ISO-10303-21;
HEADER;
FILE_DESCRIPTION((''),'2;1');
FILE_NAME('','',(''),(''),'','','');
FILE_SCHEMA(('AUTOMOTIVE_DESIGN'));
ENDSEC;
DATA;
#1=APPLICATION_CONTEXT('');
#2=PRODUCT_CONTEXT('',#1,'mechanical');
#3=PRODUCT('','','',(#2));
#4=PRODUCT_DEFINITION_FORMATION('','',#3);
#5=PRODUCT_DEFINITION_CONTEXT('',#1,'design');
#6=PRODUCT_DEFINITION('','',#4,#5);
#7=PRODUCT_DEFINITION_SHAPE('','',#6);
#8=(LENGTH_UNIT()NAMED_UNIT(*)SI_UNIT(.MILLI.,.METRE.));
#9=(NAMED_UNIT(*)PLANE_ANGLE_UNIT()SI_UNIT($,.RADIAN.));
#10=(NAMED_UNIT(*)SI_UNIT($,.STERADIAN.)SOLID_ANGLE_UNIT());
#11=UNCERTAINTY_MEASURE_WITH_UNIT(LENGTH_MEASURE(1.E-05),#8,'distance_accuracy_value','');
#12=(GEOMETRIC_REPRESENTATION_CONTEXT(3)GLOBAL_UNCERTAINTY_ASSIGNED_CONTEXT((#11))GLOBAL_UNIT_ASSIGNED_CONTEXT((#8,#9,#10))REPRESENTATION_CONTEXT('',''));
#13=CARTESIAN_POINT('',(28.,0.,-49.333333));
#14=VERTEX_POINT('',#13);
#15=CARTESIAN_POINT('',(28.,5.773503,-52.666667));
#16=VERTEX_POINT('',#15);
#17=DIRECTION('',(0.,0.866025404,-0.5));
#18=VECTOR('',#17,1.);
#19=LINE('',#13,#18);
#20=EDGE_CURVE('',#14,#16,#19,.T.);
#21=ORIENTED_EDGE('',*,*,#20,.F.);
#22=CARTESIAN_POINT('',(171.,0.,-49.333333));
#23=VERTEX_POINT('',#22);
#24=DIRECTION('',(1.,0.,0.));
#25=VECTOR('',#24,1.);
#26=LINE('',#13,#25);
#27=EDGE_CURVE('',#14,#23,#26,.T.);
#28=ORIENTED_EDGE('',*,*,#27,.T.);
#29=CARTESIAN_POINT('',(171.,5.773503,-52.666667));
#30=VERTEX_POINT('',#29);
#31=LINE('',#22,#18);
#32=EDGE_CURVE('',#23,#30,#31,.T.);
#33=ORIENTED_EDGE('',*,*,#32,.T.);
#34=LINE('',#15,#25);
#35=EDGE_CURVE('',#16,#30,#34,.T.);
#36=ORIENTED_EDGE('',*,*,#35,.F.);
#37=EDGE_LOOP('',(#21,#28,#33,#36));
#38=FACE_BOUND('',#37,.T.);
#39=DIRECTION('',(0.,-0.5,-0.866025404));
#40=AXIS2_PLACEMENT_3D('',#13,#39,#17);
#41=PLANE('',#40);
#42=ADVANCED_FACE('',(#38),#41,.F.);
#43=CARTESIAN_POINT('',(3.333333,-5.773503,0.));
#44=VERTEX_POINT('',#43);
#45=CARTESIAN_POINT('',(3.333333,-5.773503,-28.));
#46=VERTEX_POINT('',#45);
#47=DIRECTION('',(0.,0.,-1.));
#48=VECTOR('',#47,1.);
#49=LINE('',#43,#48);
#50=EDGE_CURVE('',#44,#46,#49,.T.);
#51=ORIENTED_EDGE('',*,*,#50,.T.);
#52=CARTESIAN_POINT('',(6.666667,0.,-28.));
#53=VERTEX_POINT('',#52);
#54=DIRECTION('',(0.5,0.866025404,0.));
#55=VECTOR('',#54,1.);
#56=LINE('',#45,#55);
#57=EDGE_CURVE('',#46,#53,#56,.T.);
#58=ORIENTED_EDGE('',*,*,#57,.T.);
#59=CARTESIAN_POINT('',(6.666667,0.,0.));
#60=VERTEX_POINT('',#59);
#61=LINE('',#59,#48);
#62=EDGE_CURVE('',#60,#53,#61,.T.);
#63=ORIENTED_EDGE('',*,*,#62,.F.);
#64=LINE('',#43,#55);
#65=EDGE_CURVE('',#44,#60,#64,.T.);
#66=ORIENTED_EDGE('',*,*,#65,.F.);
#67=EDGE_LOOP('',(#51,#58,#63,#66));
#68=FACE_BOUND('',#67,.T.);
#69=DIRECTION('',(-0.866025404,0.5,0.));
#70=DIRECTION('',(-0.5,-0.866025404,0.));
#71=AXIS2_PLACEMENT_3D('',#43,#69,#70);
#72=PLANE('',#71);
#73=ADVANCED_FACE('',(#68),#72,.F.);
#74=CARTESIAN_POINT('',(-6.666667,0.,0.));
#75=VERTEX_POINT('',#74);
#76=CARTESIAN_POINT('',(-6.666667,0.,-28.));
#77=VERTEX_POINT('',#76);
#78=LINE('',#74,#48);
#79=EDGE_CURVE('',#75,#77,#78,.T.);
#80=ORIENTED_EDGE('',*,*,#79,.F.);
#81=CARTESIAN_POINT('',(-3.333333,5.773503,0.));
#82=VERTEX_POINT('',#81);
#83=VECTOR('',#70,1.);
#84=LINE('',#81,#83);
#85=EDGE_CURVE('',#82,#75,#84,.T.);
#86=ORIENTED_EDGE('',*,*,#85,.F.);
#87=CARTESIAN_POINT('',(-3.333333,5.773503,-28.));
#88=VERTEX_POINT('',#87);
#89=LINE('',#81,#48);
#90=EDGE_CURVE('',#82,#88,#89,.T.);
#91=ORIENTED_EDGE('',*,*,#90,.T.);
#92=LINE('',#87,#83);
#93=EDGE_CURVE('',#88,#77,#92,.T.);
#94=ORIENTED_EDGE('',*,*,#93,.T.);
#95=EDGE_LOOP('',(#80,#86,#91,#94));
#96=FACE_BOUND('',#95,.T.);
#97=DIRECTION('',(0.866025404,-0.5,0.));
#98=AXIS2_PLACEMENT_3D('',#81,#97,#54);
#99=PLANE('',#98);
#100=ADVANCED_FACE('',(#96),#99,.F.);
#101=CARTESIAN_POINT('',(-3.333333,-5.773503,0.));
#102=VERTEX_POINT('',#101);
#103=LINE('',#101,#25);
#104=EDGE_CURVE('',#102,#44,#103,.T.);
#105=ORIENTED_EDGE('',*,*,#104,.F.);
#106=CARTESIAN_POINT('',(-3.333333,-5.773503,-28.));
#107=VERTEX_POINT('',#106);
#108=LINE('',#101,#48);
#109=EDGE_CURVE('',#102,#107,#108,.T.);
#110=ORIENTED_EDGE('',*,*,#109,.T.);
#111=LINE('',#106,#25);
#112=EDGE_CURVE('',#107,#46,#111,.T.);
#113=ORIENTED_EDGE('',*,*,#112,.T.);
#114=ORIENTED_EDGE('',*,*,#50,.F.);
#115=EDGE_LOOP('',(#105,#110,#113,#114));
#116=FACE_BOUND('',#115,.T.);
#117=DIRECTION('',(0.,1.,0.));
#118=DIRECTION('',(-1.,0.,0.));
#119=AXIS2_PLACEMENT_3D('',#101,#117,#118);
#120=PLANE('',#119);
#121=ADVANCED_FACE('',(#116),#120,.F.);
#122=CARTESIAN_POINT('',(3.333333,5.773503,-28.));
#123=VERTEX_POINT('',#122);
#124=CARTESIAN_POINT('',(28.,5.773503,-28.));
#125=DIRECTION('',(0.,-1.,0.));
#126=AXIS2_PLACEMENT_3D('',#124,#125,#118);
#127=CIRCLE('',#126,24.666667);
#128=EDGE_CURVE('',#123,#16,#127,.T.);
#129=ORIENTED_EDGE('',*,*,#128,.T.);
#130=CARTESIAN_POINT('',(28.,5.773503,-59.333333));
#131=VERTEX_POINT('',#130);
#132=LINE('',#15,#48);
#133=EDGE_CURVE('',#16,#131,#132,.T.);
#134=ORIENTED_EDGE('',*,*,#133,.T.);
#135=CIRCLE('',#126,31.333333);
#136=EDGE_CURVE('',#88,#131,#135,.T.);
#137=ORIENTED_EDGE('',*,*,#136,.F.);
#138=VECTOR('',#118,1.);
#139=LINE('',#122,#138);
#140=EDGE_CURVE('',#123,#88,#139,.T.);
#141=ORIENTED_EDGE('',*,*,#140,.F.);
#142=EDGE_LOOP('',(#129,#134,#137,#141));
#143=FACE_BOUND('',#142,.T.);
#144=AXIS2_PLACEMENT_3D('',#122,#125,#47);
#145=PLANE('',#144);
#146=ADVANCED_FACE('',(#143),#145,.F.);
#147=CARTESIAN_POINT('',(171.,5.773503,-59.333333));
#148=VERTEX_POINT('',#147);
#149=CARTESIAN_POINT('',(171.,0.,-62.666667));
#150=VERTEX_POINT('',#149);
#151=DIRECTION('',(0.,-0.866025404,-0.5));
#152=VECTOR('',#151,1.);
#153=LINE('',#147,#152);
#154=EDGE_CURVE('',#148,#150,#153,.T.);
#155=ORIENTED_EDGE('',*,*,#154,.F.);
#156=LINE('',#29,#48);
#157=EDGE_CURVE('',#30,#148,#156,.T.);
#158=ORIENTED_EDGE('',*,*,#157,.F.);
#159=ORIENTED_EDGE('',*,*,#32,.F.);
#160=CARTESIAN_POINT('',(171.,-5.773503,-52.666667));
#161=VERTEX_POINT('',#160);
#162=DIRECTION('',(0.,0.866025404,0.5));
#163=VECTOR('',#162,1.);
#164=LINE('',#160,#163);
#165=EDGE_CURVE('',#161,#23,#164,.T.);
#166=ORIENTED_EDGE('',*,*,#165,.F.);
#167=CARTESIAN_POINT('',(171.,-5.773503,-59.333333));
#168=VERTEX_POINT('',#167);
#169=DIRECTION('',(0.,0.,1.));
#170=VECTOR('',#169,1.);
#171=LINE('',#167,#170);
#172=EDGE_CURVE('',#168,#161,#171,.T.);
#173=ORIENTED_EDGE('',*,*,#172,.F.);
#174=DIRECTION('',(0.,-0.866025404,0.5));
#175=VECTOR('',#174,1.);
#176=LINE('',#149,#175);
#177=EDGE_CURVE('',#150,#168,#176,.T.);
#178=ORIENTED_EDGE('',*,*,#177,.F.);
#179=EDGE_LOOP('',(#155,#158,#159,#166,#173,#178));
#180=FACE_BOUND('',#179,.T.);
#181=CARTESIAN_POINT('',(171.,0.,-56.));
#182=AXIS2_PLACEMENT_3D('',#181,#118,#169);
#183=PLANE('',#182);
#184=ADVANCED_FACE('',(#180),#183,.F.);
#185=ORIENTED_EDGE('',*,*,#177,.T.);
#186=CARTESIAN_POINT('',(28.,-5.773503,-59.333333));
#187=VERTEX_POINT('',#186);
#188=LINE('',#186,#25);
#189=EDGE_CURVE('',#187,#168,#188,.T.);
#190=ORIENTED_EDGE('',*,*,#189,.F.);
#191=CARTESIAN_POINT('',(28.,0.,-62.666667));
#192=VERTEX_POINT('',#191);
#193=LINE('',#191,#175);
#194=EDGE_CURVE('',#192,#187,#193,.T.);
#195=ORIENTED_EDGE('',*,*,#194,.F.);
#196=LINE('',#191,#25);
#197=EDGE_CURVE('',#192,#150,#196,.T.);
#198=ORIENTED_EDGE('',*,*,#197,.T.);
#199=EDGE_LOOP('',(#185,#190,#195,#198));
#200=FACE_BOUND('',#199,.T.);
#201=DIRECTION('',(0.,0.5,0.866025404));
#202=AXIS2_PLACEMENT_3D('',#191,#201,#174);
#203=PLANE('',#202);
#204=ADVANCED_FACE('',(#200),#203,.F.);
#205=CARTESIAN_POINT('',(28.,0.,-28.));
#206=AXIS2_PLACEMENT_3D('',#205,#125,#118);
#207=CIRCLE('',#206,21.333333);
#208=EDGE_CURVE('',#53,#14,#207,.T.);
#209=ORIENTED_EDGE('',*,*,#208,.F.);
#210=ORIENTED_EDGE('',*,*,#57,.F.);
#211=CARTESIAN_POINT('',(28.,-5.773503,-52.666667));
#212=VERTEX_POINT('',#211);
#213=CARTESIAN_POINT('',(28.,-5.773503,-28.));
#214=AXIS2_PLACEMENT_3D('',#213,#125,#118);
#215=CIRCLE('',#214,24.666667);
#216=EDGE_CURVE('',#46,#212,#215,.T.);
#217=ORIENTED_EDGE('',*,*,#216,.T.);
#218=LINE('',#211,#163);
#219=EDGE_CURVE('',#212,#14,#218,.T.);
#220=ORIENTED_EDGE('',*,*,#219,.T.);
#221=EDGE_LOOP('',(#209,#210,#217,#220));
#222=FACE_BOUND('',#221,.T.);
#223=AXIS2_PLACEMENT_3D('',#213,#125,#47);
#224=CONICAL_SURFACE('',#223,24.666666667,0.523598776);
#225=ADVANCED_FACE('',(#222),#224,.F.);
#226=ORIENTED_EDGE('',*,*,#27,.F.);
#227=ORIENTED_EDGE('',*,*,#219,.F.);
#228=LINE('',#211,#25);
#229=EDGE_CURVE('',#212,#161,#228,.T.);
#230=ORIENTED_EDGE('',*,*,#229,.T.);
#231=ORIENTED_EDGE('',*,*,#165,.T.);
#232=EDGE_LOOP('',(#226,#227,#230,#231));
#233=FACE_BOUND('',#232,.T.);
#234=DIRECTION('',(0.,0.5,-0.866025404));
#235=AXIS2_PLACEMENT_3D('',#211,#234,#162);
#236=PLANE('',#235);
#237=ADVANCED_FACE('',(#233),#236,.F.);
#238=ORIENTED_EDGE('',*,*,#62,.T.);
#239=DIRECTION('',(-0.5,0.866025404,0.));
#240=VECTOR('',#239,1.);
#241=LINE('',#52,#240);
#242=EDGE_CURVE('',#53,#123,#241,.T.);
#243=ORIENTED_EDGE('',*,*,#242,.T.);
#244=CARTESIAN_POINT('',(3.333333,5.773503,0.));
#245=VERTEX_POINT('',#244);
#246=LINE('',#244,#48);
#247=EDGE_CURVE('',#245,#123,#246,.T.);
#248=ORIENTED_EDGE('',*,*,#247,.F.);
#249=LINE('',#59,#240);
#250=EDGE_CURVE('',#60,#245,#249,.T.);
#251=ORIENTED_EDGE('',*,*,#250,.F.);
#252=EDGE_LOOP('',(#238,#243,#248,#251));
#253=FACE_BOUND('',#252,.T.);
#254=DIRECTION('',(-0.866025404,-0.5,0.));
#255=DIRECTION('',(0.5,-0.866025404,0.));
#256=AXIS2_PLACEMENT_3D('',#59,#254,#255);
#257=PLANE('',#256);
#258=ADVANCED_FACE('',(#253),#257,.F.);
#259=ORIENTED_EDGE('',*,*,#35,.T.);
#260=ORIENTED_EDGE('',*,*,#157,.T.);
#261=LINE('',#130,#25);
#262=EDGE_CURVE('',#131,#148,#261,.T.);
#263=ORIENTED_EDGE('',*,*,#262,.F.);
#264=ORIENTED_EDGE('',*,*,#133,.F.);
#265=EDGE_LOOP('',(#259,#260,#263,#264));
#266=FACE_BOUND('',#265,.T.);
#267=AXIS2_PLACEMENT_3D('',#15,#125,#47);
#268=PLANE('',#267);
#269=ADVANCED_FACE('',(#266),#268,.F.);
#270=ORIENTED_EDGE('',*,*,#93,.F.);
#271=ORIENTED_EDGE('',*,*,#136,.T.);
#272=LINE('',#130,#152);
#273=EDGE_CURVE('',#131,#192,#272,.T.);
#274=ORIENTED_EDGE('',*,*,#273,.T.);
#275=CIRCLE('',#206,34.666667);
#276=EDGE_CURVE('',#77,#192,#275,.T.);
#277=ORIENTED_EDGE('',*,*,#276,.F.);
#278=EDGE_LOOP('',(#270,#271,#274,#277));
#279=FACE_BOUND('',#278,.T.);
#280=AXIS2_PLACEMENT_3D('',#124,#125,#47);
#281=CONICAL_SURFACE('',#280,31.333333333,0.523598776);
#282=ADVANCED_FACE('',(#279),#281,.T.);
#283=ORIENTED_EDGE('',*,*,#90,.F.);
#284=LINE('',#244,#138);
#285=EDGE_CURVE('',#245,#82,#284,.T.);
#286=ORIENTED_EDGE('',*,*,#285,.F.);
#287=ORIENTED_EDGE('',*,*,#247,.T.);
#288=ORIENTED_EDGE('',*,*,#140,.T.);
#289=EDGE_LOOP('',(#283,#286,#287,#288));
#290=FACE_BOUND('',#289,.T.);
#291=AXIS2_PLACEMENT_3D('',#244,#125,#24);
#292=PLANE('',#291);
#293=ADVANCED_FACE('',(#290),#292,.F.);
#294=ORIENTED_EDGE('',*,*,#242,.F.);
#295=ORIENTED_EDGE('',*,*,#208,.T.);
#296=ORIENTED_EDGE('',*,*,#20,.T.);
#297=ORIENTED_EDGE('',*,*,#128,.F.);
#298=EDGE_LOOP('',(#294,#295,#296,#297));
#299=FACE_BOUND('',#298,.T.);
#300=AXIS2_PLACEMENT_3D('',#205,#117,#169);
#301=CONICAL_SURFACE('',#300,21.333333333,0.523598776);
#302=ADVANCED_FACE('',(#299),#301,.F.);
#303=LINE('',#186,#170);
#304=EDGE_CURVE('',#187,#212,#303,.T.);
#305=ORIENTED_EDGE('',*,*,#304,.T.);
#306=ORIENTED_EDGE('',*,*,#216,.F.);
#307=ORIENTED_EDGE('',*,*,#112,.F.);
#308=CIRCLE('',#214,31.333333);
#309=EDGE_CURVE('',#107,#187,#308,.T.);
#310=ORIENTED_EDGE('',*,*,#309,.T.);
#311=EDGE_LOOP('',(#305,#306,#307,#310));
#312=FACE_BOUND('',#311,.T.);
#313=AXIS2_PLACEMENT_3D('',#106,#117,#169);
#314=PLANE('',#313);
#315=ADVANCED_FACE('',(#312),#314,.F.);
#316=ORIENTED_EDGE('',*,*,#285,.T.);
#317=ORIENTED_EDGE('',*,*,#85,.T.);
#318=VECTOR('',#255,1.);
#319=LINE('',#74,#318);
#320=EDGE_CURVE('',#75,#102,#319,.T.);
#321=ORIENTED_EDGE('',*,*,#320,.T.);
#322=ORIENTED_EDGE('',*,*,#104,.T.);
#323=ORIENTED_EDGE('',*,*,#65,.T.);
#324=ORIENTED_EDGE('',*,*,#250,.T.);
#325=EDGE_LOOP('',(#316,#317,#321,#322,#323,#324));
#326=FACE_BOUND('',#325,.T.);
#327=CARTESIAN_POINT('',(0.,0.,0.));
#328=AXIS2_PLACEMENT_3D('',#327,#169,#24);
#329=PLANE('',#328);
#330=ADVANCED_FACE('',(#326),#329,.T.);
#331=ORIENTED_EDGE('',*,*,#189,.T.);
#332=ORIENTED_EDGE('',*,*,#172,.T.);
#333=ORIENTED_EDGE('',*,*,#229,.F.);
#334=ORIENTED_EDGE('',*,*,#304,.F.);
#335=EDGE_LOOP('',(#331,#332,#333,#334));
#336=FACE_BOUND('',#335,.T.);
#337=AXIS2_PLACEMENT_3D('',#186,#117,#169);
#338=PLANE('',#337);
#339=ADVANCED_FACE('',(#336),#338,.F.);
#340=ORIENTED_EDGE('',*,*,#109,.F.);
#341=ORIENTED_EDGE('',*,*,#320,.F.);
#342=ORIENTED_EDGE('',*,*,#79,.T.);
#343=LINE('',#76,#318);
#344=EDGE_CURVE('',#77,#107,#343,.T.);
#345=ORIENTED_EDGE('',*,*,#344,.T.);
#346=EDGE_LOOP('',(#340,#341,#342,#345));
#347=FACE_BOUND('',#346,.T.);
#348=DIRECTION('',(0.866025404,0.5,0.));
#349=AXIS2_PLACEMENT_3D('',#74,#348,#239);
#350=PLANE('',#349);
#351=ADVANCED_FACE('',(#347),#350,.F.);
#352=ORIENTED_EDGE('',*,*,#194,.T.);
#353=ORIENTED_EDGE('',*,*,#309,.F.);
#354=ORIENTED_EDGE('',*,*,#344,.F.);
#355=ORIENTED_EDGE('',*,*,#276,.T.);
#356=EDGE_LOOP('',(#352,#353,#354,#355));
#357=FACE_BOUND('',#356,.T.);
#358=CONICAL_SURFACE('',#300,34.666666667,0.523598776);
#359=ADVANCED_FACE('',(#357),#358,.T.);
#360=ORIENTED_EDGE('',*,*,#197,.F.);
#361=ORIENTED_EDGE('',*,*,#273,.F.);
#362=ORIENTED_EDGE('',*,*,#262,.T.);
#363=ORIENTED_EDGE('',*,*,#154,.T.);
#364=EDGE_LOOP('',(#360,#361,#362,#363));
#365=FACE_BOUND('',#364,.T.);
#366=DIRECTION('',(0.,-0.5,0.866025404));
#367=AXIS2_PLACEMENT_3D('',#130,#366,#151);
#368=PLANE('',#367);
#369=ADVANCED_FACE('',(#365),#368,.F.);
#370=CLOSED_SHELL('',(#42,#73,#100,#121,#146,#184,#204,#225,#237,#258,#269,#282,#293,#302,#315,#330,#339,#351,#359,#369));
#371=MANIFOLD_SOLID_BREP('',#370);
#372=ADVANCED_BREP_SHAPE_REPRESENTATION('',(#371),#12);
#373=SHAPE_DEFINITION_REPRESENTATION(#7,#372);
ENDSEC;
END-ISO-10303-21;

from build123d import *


with BuildPart() as part:
    # Sweep1: sweep along a path in Sketch2
    with BuildLine(Plane(origin=(0, 0, 0), x_dir=(1, 0, 0), z_dir=(0, 1, 0))) as sweep1_path:
        Line((0, 0), (0, 28))
        ThreePointArc((0, 28), (8.201010127, 47.798989873), (28, 56))
        Line((28, 56), (171, 56))
    # Sketch3 → Sweep1 (sweep)
    with BuildSketch(Plane.XY):
        Polygon((3.333333333, 5.773502692), (-3.333333333, 5.773502692), (-6.666666667, 0), (-3.333333333, -5.773502692), (3.333333333, -5.773502692), (6.666666667, 0), align=None)
    sweep(path=sweep1_path.line)


solid = part.part
